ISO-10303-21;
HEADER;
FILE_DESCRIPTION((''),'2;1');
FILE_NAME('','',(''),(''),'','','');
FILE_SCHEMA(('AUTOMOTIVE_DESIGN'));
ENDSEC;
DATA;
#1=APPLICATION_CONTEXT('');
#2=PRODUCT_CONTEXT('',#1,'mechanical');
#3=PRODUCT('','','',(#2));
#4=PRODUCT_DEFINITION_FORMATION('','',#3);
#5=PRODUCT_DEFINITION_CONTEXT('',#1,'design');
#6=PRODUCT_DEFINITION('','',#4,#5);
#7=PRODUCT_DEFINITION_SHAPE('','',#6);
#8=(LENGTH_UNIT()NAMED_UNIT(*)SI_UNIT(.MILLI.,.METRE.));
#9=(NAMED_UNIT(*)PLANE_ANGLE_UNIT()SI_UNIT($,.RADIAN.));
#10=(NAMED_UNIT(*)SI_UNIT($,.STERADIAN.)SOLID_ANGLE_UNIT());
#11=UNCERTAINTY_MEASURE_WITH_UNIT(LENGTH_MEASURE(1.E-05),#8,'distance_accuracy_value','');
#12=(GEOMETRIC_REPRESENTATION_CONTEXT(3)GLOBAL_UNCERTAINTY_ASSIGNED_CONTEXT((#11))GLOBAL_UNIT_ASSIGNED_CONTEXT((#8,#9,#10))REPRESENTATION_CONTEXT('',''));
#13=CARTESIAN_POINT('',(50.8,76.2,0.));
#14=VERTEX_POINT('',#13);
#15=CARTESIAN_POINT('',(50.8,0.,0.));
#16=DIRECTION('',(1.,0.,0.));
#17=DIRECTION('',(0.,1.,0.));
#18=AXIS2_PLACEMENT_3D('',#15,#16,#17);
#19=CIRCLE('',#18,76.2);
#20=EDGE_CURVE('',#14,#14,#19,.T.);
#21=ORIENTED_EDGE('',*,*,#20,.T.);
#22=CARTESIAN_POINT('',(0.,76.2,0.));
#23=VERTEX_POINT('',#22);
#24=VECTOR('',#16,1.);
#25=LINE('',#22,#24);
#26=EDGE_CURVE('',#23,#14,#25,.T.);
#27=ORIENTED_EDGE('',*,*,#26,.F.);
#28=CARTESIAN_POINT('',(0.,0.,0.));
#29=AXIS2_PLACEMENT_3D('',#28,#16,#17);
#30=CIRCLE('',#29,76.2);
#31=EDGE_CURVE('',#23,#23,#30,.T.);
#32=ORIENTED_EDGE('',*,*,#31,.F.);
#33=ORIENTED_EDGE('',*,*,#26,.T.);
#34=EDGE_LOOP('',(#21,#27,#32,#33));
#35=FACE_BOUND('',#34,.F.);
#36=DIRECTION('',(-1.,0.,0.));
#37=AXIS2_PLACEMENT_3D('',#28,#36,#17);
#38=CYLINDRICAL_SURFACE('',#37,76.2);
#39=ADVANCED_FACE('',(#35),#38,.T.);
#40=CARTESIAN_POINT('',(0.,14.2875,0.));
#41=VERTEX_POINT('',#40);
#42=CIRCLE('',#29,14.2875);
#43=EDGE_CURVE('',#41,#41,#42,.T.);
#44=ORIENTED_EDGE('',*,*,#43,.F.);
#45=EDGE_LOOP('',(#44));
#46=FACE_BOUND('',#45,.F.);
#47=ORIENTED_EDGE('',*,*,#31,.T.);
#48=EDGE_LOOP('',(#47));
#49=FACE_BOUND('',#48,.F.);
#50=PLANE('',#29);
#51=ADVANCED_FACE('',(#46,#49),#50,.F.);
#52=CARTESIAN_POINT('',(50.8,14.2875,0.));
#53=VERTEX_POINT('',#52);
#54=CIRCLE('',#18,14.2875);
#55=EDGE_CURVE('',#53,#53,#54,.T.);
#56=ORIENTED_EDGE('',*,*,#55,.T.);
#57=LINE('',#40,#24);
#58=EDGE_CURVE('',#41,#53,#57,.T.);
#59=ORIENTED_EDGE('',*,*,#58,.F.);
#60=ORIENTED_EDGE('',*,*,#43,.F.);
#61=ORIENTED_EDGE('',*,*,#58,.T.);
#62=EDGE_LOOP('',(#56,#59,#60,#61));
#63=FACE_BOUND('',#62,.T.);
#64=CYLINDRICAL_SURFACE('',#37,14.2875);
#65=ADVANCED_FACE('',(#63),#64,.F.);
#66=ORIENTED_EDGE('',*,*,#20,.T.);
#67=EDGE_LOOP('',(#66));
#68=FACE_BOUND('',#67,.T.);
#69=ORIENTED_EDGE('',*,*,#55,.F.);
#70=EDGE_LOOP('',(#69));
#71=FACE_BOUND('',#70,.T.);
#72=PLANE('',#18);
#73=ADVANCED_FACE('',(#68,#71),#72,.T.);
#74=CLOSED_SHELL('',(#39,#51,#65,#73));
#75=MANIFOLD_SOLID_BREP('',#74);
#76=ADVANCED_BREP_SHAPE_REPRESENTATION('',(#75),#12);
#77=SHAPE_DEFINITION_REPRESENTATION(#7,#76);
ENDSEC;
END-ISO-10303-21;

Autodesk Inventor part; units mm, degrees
ref_plane "YZ Plane" through (0, 0, 0) normal (1, 0, 0) x (0, 1, 0)
ref_plane "XZ Plane" through (0, 0, 0) normal (0, 1, 0) x (-1, 0, 0)
ref_plane "XY Plane" through (0, 0, 0) normal (0, 0, 1) x (1, 0, 0)
sketch "Sketch1" plane through (0, 0, 0) normal (1, 0, 0) x (0, 1, 0)
  circle A0 centre (0, 0) radius 76.2
  circle A1 centre (0, 0) radius 14.2875
  dimension "d0" = 152.4
  dimension "d1" = 28.575
extrude "Extrusion1" add sketch "Sketch1" along normal blind 50.8
properties part number "Pretend it's a Flywheel"
